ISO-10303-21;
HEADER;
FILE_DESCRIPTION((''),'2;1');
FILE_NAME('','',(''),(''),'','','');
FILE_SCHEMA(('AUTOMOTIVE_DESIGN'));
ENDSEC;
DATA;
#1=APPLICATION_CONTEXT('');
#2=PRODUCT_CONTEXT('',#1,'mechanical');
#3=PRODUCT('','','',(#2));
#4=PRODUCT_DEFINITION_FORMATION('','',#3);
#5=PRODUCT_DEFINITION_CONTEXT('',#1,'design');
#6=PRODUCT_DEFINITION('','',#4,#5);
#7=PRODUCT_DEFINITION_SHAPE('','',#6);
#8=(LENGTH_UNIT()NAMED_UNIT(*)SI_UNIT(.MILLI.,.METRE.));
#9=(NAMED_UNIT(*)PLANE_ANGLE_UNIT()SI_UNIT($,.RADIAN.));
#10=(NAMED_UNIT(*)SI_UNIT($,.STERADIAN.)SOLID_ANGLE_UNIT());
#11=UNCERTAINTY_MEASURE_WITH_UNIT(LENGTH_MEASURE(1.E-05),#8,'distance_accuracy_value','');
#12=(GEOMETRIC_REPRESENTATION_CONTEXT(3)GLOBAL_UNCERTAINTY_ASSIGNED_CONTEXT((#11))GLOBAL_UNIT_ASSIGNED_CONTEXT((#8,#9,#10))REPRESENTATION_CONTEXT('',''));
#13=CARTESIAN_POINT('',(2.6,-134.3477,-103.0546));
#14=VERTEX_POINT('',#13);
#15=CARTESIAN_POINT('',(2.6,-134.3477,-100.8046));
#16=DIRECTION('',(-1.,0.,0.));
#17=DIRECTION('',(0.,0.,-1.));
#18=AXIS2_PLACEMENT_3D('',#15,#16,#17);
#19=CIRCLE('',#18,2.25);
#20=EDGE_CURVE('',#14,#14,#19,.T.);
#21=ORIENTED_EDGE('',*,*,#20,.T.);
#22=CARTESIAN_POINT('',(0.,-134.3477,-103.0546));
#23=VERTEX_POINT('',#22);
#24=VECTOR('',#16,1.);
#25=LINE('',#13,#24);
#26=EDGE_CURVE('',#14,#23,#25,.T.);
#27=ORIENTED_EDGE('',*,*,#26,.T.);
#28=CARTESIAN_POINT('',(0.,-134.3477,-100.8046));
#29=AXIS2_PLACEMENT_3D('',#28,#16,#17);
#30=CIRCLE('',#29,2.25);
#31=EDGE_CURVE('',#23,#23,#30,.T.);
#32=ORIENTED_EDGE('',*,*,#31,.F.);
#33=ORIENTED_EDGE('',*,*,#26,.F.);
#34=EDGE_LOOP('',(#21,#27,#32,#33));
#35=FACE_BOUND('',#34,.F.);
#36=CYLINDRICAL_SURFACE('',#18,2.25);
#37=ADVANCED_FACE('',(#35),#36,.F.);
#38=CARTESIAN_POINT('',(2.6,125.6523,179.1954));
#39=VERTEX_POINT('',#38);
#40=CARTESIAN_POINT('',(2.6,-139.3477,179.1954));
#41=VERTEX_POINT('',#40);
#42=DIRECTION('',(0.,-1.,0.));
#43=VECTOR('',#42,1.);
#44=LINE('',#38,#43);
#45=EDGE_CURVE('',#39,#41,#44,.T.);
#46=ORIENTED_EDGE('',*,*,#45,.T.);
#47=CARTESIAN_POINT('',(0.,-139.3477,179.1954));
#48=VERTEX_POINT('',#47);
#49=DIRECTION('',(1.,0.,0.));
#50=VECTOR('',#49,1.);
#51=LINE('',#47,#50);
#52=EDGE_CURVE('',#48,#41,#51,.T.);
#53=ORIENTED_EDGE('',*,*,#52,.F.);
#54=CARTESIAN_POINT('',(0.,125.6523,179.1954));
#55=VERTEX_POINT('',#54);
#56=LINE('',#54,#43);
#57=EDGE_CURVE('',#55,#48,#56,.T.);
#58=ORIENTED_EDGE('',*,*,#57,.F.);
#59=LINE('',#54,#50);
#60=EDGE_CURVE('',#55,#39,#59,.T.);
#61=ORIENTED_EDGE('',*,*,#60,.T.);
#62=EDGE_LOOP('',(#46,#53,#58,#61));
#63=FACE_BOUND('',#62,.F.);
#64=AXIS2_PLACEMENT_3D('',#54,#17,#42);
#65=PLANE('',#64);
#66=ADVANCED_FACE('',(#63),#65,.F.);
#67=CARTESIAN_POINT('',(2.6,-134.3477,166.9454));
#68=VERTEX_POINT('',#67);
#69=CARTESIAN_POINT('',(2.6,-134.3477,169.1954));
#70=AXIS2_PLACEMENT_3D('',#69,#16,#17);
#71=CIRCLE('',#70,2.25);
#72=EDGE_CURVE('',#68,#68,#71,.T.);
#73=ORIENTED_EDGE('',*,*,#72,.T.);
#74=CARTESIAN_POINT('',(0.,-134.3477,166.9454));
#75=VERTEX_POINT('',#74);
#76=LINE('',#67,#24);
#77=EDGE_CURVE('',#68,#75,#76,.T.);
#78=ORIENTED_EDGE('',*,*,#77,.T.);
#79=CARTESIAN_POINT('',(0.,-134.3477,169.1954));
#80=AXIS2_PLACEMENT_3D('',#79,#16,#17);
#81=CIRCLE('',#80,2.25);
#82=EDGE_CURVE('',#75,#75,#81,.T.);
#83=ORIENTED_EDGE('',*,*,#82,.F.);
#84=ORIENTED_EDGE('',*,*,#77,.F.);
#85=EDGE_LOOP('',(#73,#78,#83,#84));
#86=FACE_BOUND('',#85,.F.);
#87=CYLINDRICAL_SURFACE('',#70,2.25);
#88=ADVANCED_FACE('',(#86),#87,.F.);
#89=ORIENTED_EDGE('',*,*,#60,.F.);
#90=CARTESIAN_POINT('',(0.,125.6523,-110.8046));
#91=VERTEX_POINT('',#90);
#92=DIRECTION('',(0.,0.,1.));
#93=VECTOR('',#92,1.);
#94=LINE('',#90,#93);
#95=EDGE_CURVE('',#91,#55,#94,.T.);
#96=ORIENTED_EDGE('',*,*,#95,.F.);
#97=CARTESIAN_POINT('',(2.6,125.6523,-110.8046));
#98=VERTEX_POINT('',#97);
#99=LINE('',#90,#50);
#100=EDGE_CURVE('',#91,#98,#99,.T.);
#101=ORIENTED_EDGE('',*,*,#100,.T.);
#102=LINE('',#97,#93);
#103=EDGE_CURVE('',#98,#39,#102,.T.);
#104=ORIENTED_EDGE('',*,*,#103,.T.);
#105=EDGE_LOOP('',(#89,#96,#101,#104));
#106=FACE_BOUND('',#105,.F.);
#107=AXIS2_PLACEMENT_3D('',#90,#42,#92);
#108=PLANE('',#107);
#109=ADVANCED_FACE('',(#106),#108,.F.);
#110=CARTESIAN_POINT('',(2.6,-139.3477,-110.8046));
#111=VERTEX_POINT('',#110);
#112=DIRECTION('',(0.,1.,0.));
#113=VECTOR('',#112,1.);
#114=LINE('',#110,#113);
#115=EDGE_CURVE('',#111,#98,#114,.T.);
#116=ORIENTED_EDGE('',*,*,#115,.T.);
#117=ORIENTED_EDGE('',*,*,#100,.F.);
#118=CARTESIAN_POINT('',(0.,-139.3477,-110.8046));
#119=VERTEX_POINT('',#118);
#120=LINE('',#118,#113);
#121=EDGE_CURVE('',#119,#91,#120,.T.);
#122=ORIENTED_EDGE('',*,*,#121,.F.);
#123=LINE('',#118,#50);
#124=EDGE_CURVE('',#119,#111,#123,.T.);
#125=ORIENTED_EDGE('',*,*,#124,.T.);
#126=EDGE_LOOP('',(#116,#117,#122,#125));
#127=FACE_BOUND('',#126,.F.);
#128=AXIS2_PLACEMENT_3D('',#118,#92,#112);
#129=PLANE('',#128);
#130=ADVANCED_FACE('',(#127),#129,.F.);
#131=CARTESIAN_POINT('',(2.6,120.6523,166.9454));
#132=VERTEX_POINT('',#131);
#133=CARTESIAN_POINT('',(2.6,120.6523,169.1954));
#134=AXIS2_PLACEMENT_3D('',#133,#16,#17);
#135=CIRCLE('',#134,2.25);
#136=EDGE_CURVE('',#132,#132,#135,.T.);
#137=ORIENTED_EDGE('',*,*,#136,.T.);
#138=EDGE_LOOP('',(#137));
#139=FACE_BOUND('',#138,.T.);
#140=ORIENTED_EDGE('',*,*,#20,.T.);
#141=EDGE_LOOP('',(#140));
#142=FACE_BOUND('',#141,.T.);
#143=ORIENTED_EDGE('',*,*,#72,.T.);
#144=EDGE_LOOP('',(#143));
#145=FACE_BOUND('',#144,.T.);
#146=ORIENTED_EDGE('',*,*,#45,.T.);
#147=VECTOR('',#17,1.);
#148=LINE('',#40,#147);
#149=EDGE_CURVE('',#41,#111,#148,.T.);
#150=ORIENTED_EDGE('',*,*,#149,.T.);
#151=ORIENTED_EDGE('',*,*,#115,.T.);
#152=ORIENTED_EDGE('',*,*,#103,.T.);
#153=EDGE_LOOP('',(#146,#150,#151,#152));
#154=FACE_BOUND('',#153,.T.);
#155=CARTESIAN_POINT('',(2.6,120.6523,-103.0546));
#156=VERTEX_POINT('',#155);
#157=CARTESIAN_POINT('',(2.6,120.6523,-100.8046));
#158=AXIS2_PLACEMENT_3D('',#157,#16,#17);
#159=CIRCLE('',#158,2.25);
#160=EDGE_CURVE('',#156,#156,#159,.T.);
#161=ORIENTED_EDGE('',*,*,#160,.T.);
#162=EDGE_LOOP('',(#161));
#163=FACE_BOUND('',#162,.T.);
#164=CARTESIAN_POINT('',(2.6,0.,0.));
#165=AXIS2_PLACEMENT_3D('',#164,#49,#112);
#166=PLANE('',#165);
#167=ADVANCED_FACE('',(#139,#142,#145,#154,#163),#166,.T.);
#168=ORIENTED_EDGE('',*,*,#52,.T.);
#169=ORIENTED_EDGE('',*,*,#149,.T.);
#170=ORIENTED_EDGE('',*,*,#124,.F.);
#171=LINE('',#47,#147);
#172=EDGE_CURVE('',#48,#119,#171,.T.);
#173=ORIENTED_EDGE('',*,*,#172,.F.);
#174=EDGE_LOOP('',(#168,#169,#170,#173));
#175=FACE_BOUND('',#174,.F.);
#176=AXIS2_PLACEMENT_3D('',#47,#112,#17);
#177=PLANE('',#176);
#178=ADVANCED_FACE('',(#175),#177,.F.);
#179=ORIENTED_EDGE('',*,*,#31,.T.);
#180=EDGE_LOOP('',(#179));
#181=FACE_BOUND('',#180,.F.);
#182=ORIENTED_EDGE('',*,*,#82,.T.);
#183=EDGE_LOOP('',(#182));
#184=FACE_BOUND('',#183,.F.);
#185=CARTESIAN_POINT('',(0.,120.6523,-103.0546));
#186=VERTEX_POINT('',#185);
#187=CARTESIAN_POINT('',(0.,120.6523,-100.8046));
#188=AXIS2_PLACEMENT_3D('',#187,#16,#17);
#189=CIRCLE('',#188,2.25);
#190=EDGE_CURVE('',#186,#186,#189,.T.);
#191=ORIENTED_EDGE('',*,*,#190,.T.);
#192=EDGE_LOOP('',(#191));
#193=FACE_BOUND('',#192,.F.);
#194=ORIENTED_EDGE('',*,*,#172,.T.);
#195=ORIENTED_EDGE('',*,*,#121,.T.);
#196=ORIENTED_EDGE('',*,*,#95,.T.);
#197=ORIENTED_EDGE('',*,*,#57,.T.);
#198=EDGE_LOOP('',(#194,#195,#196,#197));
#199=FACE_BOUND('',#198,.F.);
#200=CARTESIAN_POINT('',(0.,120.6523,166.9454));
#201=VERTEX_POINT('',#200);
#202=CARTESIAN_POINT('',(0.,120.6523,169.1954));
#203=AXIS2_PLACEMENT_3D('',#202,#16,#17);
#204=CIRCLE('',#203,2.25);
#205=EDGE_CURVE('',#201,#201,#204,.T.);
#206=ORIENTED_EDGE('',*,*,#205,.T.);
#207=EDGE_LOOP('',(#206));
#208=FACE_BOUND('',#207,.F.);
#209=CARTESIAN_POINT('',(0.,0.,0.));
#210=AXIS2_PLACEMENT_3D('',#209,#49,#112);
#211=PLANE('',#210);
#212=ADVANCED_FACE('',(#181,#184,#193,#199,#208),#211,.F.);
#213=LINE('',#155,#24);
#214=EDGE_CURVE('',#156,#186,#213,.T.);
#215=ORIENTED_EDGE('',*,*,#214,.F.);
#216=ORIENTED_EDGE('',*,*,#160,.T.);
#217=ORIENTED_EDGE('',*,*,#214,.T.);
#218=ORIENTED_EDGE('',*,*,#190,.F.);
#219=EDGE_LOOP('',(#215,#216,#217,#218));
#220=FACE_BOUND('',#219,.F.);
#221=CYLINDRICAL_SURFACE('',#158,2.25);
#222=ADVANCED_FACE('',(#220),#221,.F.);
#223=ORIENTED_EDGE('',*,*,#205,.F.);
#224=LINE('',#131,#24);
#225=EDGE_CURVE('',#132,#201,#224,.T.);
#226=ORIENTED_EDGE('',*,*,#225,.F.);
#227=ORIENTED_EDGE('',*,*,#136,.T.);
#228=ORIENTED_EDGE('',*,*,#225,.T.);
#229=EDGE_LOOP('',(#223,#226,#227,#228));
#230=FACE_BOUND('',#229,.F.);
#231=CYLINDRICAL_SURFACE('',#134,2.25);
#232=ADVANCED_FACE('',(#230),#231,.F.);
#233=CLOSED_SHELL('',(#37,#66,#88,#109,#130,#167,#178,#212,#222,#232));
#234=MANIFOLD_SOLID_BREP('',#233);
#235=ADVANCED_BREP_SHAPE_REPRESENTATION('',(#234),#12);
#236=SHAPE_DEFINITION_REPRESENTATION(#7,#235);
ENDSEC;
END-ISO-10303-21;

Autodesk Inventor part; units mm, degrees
ref_plane "YZ Plane" through (0, 0, 0) normal (1, 0, 0) x (0, 1, 0)
ref_plane "XZ Plane" through (0, 0, 0) normal (0, 1, 0) x (-1, 0, 0)
ref_plane "XY Plane" through (0, 0, 0) normal (0, 0, 1) x (1, 0, 0)
sketch "スケッチ1" plane through (0, 0, 0) normal (1, 0, 0) x (0, 1, 0)
  line L0 (125.6523, 179.1954) -> (-139.3477, 179.1954)
  line L1 (-139.3477, 179.1954) -> (-139.3477, -110.8046)
  line L2 (-139.3477, -110.8046) -> (125.6523, -110.8046)
  line L3 (125.6523, -110.8046) -> (125.6523, 179.1954)
  point P0 (0, 0)
  dimension "d0" = 265
  dimension "d1" = 290
extrude "押し出し1" add sketch "スケッチ1" along normal blind 2.6
sketch "スケッチ2" plane through (2.6, 0, 0) normal (1, 0, 0) x (0, 0, -1)
  line L0 (-179.1954, 125.6523) -> (-179.1954, -139.3477) projected
  line L1 (-179.1954, -139.3477) -> (110.8046, -139.3477) projected
  line L2 (110.8046, -139.3477) -> (110.8046, 125.6523) projected
  line L3 (110.8046, 125.6523) -> (-179.1954, 125.6523) projected
  line L4 (-34.1954, -6.8477) -> (-34.1954, 125.6523)
  line L5 (110.8046, 125.6523) -> (-179.1954, 125.6523) projected
  line L6 (-34.1954, -6.8477) -> (110.8046, -6.8477)
  point P0 (0, 0)
  point P1 (-169.1954, 120.6523)
  point P2 (100.8046, 120.6523)
  point P3 (-169.1954, -134.3477)
  point P4 (100.8046, -134.3477)
  dimension "d4" = 5
  dimension "d5" = 10
hole "穴1" at (2.6, 120.6523, 169.1954) at (2.6, 120.6523, -100.8046) at (2.6, -134.3477, 169.1954) at (2.6, -134.3477, -100.8046) direction (-1, 0, 0) diameter 4.5 depth 10 tip angle 118
properties part number "lc_box_side" material "ポリカーボネート、クリア"
